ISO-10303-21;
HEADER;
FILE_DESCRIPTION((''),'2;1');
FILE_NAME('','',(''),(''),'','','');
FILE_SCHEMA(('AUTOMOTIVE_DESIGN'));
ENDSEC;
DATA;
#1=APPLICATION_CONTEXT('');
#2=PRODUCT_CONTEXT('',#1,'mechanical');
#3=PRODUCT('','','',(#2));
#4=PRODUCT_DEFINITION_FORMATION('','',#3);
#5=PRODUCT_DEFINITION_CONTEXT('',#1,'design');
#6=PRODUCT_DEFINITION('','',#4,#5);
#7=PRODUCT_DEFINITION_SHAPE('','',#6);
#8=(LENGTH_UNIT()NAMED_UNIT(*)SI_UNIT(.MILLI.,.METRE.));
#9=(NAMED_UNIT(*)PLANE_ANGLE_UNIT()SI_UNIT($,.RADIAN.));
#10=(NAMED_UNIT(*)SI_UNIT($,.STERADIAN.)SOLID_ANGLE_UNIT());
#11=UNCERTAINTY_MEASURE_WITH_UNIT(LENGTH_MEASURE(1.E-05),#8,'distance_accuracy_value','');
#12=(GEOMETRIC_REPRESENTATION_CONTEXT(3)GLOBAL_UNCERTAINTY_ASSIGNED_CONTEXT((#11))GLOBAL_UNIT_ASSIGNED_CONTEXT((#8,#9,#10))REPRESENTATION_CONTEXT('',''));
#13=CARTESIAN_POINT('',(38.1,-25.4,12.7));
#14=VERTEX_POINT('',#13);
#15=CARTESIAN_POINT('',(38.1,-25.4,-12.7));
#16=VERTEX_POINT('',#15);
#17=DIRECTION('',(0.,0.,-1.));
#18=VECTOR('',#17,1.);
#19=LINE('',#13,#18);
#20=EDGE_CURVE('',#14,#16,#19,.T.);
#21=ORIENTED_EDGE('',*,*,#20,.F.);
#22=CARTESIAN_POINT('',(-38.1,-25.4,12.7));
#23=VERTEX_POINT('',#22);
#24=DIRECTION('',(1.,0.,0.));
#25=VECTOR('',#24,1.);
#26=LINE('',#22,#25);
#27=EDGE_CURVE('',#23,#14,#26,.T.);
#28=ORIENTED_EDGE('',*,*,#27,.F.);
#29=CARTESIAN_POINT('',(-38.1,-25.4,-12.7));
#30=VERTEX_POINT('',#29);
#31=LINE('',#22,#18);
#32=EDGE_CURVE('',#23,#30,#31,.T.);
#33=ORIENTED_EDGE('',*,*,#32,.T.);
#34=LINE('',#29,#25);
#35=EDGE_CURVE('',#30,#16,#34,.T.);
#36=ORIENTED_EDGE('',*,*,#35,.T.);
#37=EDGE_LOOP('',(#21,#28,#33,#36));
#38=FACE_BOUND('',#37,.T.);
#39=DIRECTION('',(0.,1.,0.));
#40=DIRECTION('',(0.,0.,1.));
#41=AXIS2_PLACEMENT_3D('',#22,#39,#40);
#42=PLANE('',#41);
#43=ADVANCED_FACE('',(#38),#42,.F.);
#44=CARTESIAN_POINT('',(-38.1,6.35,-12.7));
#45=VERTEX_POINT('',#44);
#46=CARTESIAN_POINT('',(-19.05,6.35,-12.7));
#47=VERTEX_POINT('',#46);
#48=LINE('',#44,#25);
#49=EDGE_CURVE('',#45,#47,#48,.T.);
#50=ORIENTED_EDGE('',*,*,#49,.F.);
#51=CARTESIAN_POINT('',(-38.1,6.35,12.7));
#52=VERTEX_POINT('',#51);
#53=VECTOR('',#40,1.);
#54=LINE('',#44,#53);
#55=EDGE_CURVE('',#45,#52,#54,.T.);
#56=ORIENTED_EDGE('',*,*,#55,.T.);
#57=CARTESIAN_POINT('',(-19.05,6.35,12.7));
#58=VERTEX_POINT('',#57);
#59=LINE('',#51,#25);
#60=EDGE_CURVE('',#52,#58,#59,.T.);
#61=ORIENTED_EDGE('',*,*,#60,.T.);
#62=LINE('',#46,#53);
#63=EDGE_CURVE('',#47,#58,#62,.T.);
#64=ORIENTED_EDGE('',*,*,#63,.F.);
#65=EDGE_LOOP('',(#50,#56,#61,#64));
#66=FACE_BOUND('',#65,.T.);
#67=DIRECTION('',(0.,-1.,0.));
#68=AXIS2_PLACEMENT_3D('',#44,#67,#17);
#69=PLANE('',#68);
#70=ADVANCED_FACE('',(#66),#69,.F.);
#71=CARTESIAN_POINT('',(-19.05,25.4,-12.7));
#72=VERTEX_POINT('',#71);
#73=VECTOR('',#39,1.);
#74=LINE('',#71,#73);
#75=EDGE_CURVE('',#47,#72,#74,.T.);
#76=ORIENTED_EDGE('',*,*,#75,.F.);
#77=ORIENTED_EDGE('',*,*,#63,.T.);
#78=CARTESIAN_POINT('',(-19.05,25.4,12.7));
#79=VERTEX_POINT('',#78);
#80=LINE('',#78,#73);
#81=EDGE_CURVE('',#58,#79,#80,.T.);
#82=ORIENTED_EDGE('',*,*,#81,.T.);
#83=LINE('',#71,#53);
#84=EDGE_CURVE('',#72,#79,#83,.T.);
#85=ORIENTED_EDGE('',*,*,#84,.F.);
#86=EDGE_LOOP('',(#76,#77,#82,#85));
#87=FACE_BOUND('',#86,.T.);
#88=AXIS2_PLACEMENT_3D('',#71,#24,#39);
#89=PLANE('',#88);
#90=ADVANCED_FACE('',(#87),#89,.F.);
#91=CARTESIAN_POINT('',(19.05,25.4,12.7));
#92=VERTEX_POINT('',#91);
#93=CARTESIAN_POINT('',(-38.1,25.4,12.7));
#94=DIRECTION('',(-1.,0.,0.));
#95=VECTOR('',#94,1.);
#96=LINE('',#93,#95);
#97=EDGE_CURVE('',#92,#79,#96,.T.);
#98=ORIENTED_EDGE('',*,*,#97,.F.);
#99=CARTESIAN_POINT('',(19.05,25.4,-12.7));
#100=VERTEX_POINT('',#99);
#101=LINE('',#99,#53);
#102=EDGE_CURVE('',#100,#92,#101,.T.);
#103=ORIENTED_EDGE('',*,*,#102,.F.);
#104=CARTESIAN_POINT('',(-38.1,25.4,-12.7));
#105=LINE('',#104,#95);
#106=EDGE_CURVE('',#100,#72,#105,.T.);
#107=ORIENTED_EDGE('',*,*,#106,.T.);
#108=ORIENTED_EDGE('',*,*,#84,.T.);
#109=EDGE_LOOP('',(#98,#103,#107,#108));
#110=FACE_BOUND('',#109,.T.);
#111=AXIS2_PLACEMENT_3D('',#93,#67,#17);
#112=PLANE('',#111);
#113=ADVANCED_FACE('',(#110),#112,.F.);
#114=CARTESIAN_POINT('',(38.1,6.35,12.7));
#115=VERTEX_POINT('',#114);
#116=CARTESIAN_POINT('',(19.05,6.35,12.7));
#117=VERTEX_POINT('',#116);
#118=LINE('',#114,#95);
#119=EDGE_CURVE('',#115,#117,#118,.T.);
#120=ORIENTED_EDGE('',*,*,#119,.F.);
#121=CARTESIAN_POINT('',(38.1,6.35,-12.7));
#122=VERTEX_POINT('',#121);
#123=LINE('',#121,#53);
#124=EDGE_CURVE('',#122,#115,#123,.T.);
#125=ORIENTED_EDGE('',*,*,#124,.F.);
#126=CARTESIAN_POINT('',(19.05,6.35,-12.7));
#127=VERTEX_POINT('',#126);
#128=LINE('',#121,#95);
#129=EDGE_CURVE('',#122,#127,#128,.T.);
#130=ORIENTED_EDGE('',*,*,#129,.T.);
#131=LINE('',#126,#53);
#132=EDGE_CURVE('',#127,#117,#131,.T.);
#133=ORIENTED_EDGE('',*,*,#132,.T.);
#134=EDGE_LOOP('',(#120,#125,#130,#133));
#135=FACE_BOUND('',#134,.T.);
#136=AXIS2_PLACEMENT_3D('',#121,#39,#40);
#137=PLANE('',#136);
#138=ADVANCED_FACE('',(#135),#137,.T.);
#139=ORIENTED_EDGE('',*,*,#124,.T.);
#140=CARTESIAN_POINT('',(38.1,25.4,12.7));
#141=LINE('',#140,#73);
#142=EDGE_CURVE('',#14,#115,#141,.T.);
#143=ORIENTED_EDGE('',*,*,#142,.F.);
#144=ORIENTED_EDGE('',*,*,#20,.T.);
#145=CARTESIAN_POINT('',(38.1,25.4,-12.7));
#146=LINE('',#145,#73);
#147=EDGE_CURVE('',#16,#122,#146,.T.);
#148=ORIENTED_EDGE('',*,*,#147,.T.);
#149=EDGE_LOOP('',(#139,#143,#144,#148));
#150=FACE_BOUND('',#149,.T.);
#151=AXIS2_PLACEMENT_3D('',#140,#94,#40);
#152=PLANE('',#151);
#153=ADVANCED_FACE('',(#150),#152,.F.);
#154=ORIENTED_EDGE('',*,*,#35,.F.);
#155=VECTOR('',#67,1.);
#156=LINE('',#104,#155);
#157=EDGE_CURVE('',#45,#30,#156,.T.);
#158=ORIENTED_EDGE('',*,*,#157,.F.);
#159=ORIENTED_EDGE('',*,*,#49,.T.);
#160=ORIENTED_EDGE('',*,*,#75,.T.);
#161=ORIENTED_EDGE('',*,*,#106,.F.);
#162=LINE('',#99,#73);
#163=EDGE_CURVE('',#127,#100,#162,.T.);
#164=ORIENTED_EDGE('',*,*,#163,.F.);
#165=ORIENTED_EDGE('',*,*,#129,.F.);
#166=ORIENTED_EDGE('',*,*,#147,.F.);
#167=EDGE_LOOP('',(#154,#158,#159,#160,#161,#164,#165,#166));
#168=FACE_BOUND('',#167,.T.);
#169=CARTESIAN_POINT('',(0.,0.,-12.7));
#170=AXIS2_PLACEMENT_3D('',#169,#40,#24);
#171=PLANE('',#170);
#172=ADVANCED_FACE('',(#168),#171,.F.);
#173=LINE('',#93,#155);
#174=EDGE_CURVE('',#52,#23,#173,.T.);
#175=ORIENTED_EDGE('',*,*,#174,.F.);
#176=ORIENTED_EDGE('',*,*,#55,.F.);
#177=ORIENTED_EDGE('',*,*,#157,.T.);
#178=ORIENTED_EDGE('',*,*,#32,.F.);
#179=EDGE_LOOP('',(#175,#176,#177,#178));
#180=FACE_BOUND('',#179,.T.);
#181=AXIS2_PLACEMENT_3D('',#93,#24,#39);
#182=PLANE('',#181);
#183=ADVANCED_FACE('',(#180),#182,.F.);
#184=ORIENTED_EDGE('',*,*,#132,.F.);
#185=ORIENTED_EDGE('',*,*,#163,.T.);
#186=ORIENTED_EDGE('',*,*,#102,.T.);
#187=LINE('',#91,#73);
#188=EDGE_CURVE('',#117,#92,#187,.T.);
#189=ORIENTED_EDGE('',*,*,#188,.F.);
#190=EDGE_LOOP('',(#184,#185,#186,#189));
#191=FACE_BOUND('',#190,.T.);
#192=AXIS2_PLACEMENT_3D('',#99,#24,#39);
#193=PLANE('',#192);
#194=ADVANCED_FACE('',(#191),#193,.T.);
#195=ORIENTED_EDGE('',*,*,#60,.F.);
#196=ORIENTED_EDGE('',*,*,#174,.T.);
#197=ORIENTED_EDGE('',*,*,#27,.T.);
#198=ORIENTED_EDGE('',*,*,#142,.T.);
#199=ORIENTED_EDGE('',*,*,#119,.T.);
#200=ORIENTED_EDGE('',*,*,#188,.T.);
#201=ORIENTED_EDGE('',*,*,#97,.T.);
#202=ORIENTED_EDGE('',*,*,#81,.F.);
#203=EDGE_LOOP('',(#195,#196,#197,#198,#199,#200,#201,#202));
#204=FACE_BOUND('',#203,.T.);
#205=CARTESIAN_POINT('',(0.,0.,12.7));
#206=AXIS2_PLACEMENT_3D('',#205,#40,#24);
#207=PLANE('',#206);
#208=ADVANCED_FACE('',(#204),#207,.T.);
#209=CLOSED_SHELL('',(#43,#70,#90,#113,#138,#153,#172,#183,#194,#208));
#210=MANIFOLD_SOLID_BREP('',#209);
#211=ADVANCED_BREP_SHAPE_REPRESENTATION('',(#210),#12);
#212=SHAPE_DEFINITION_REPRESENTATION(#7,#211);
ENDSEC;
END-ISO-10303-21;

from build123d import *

# Parameters (mm, degrees)
SKETCH1_W           = 76.2
SKETCH1_H           = 50.8
BOSS_EXTRUDE1_DEPTH = 12.7
SKETCH2_W           = 19.05
SKETCH2_H           = 19.05
CUT_EXTRUDE1_DEPTH  = 26.4


with BuildPart() as part:
    # Sketch1 → Boss-Extrude1 (new body, symmetric)
    with BuildSketch(Plane.XY):
        Rectangle(SKETCH1_W, SKETCH1_H)
    extrude(amount=BOSS_EXTRUDE1_DEPTH, both=True)

    # Sketch2 → Cut-Extrude1 (cut, through all)
    with BuildSketch(Plane.XY.offset(12.7)):
        with Locations((-28.575, 15.875)):
            Rectangle(SKETCH2_W, SKETCH2_H)
    cut_extrude1 = extrude(amount=-CUT_EXTRUDE1_DEPTH, mode=Mode.SUBTRACT)

    # Mirror1: Cut-Extrude1 across plane
    add(cut_extrude1.mirror(Plane(origin=(0, 0, 0), x_dir=(0, 0, 1), z_dir=(1, 0, 0))), mode=Mode.SUBTRACT)


solid = part.part
